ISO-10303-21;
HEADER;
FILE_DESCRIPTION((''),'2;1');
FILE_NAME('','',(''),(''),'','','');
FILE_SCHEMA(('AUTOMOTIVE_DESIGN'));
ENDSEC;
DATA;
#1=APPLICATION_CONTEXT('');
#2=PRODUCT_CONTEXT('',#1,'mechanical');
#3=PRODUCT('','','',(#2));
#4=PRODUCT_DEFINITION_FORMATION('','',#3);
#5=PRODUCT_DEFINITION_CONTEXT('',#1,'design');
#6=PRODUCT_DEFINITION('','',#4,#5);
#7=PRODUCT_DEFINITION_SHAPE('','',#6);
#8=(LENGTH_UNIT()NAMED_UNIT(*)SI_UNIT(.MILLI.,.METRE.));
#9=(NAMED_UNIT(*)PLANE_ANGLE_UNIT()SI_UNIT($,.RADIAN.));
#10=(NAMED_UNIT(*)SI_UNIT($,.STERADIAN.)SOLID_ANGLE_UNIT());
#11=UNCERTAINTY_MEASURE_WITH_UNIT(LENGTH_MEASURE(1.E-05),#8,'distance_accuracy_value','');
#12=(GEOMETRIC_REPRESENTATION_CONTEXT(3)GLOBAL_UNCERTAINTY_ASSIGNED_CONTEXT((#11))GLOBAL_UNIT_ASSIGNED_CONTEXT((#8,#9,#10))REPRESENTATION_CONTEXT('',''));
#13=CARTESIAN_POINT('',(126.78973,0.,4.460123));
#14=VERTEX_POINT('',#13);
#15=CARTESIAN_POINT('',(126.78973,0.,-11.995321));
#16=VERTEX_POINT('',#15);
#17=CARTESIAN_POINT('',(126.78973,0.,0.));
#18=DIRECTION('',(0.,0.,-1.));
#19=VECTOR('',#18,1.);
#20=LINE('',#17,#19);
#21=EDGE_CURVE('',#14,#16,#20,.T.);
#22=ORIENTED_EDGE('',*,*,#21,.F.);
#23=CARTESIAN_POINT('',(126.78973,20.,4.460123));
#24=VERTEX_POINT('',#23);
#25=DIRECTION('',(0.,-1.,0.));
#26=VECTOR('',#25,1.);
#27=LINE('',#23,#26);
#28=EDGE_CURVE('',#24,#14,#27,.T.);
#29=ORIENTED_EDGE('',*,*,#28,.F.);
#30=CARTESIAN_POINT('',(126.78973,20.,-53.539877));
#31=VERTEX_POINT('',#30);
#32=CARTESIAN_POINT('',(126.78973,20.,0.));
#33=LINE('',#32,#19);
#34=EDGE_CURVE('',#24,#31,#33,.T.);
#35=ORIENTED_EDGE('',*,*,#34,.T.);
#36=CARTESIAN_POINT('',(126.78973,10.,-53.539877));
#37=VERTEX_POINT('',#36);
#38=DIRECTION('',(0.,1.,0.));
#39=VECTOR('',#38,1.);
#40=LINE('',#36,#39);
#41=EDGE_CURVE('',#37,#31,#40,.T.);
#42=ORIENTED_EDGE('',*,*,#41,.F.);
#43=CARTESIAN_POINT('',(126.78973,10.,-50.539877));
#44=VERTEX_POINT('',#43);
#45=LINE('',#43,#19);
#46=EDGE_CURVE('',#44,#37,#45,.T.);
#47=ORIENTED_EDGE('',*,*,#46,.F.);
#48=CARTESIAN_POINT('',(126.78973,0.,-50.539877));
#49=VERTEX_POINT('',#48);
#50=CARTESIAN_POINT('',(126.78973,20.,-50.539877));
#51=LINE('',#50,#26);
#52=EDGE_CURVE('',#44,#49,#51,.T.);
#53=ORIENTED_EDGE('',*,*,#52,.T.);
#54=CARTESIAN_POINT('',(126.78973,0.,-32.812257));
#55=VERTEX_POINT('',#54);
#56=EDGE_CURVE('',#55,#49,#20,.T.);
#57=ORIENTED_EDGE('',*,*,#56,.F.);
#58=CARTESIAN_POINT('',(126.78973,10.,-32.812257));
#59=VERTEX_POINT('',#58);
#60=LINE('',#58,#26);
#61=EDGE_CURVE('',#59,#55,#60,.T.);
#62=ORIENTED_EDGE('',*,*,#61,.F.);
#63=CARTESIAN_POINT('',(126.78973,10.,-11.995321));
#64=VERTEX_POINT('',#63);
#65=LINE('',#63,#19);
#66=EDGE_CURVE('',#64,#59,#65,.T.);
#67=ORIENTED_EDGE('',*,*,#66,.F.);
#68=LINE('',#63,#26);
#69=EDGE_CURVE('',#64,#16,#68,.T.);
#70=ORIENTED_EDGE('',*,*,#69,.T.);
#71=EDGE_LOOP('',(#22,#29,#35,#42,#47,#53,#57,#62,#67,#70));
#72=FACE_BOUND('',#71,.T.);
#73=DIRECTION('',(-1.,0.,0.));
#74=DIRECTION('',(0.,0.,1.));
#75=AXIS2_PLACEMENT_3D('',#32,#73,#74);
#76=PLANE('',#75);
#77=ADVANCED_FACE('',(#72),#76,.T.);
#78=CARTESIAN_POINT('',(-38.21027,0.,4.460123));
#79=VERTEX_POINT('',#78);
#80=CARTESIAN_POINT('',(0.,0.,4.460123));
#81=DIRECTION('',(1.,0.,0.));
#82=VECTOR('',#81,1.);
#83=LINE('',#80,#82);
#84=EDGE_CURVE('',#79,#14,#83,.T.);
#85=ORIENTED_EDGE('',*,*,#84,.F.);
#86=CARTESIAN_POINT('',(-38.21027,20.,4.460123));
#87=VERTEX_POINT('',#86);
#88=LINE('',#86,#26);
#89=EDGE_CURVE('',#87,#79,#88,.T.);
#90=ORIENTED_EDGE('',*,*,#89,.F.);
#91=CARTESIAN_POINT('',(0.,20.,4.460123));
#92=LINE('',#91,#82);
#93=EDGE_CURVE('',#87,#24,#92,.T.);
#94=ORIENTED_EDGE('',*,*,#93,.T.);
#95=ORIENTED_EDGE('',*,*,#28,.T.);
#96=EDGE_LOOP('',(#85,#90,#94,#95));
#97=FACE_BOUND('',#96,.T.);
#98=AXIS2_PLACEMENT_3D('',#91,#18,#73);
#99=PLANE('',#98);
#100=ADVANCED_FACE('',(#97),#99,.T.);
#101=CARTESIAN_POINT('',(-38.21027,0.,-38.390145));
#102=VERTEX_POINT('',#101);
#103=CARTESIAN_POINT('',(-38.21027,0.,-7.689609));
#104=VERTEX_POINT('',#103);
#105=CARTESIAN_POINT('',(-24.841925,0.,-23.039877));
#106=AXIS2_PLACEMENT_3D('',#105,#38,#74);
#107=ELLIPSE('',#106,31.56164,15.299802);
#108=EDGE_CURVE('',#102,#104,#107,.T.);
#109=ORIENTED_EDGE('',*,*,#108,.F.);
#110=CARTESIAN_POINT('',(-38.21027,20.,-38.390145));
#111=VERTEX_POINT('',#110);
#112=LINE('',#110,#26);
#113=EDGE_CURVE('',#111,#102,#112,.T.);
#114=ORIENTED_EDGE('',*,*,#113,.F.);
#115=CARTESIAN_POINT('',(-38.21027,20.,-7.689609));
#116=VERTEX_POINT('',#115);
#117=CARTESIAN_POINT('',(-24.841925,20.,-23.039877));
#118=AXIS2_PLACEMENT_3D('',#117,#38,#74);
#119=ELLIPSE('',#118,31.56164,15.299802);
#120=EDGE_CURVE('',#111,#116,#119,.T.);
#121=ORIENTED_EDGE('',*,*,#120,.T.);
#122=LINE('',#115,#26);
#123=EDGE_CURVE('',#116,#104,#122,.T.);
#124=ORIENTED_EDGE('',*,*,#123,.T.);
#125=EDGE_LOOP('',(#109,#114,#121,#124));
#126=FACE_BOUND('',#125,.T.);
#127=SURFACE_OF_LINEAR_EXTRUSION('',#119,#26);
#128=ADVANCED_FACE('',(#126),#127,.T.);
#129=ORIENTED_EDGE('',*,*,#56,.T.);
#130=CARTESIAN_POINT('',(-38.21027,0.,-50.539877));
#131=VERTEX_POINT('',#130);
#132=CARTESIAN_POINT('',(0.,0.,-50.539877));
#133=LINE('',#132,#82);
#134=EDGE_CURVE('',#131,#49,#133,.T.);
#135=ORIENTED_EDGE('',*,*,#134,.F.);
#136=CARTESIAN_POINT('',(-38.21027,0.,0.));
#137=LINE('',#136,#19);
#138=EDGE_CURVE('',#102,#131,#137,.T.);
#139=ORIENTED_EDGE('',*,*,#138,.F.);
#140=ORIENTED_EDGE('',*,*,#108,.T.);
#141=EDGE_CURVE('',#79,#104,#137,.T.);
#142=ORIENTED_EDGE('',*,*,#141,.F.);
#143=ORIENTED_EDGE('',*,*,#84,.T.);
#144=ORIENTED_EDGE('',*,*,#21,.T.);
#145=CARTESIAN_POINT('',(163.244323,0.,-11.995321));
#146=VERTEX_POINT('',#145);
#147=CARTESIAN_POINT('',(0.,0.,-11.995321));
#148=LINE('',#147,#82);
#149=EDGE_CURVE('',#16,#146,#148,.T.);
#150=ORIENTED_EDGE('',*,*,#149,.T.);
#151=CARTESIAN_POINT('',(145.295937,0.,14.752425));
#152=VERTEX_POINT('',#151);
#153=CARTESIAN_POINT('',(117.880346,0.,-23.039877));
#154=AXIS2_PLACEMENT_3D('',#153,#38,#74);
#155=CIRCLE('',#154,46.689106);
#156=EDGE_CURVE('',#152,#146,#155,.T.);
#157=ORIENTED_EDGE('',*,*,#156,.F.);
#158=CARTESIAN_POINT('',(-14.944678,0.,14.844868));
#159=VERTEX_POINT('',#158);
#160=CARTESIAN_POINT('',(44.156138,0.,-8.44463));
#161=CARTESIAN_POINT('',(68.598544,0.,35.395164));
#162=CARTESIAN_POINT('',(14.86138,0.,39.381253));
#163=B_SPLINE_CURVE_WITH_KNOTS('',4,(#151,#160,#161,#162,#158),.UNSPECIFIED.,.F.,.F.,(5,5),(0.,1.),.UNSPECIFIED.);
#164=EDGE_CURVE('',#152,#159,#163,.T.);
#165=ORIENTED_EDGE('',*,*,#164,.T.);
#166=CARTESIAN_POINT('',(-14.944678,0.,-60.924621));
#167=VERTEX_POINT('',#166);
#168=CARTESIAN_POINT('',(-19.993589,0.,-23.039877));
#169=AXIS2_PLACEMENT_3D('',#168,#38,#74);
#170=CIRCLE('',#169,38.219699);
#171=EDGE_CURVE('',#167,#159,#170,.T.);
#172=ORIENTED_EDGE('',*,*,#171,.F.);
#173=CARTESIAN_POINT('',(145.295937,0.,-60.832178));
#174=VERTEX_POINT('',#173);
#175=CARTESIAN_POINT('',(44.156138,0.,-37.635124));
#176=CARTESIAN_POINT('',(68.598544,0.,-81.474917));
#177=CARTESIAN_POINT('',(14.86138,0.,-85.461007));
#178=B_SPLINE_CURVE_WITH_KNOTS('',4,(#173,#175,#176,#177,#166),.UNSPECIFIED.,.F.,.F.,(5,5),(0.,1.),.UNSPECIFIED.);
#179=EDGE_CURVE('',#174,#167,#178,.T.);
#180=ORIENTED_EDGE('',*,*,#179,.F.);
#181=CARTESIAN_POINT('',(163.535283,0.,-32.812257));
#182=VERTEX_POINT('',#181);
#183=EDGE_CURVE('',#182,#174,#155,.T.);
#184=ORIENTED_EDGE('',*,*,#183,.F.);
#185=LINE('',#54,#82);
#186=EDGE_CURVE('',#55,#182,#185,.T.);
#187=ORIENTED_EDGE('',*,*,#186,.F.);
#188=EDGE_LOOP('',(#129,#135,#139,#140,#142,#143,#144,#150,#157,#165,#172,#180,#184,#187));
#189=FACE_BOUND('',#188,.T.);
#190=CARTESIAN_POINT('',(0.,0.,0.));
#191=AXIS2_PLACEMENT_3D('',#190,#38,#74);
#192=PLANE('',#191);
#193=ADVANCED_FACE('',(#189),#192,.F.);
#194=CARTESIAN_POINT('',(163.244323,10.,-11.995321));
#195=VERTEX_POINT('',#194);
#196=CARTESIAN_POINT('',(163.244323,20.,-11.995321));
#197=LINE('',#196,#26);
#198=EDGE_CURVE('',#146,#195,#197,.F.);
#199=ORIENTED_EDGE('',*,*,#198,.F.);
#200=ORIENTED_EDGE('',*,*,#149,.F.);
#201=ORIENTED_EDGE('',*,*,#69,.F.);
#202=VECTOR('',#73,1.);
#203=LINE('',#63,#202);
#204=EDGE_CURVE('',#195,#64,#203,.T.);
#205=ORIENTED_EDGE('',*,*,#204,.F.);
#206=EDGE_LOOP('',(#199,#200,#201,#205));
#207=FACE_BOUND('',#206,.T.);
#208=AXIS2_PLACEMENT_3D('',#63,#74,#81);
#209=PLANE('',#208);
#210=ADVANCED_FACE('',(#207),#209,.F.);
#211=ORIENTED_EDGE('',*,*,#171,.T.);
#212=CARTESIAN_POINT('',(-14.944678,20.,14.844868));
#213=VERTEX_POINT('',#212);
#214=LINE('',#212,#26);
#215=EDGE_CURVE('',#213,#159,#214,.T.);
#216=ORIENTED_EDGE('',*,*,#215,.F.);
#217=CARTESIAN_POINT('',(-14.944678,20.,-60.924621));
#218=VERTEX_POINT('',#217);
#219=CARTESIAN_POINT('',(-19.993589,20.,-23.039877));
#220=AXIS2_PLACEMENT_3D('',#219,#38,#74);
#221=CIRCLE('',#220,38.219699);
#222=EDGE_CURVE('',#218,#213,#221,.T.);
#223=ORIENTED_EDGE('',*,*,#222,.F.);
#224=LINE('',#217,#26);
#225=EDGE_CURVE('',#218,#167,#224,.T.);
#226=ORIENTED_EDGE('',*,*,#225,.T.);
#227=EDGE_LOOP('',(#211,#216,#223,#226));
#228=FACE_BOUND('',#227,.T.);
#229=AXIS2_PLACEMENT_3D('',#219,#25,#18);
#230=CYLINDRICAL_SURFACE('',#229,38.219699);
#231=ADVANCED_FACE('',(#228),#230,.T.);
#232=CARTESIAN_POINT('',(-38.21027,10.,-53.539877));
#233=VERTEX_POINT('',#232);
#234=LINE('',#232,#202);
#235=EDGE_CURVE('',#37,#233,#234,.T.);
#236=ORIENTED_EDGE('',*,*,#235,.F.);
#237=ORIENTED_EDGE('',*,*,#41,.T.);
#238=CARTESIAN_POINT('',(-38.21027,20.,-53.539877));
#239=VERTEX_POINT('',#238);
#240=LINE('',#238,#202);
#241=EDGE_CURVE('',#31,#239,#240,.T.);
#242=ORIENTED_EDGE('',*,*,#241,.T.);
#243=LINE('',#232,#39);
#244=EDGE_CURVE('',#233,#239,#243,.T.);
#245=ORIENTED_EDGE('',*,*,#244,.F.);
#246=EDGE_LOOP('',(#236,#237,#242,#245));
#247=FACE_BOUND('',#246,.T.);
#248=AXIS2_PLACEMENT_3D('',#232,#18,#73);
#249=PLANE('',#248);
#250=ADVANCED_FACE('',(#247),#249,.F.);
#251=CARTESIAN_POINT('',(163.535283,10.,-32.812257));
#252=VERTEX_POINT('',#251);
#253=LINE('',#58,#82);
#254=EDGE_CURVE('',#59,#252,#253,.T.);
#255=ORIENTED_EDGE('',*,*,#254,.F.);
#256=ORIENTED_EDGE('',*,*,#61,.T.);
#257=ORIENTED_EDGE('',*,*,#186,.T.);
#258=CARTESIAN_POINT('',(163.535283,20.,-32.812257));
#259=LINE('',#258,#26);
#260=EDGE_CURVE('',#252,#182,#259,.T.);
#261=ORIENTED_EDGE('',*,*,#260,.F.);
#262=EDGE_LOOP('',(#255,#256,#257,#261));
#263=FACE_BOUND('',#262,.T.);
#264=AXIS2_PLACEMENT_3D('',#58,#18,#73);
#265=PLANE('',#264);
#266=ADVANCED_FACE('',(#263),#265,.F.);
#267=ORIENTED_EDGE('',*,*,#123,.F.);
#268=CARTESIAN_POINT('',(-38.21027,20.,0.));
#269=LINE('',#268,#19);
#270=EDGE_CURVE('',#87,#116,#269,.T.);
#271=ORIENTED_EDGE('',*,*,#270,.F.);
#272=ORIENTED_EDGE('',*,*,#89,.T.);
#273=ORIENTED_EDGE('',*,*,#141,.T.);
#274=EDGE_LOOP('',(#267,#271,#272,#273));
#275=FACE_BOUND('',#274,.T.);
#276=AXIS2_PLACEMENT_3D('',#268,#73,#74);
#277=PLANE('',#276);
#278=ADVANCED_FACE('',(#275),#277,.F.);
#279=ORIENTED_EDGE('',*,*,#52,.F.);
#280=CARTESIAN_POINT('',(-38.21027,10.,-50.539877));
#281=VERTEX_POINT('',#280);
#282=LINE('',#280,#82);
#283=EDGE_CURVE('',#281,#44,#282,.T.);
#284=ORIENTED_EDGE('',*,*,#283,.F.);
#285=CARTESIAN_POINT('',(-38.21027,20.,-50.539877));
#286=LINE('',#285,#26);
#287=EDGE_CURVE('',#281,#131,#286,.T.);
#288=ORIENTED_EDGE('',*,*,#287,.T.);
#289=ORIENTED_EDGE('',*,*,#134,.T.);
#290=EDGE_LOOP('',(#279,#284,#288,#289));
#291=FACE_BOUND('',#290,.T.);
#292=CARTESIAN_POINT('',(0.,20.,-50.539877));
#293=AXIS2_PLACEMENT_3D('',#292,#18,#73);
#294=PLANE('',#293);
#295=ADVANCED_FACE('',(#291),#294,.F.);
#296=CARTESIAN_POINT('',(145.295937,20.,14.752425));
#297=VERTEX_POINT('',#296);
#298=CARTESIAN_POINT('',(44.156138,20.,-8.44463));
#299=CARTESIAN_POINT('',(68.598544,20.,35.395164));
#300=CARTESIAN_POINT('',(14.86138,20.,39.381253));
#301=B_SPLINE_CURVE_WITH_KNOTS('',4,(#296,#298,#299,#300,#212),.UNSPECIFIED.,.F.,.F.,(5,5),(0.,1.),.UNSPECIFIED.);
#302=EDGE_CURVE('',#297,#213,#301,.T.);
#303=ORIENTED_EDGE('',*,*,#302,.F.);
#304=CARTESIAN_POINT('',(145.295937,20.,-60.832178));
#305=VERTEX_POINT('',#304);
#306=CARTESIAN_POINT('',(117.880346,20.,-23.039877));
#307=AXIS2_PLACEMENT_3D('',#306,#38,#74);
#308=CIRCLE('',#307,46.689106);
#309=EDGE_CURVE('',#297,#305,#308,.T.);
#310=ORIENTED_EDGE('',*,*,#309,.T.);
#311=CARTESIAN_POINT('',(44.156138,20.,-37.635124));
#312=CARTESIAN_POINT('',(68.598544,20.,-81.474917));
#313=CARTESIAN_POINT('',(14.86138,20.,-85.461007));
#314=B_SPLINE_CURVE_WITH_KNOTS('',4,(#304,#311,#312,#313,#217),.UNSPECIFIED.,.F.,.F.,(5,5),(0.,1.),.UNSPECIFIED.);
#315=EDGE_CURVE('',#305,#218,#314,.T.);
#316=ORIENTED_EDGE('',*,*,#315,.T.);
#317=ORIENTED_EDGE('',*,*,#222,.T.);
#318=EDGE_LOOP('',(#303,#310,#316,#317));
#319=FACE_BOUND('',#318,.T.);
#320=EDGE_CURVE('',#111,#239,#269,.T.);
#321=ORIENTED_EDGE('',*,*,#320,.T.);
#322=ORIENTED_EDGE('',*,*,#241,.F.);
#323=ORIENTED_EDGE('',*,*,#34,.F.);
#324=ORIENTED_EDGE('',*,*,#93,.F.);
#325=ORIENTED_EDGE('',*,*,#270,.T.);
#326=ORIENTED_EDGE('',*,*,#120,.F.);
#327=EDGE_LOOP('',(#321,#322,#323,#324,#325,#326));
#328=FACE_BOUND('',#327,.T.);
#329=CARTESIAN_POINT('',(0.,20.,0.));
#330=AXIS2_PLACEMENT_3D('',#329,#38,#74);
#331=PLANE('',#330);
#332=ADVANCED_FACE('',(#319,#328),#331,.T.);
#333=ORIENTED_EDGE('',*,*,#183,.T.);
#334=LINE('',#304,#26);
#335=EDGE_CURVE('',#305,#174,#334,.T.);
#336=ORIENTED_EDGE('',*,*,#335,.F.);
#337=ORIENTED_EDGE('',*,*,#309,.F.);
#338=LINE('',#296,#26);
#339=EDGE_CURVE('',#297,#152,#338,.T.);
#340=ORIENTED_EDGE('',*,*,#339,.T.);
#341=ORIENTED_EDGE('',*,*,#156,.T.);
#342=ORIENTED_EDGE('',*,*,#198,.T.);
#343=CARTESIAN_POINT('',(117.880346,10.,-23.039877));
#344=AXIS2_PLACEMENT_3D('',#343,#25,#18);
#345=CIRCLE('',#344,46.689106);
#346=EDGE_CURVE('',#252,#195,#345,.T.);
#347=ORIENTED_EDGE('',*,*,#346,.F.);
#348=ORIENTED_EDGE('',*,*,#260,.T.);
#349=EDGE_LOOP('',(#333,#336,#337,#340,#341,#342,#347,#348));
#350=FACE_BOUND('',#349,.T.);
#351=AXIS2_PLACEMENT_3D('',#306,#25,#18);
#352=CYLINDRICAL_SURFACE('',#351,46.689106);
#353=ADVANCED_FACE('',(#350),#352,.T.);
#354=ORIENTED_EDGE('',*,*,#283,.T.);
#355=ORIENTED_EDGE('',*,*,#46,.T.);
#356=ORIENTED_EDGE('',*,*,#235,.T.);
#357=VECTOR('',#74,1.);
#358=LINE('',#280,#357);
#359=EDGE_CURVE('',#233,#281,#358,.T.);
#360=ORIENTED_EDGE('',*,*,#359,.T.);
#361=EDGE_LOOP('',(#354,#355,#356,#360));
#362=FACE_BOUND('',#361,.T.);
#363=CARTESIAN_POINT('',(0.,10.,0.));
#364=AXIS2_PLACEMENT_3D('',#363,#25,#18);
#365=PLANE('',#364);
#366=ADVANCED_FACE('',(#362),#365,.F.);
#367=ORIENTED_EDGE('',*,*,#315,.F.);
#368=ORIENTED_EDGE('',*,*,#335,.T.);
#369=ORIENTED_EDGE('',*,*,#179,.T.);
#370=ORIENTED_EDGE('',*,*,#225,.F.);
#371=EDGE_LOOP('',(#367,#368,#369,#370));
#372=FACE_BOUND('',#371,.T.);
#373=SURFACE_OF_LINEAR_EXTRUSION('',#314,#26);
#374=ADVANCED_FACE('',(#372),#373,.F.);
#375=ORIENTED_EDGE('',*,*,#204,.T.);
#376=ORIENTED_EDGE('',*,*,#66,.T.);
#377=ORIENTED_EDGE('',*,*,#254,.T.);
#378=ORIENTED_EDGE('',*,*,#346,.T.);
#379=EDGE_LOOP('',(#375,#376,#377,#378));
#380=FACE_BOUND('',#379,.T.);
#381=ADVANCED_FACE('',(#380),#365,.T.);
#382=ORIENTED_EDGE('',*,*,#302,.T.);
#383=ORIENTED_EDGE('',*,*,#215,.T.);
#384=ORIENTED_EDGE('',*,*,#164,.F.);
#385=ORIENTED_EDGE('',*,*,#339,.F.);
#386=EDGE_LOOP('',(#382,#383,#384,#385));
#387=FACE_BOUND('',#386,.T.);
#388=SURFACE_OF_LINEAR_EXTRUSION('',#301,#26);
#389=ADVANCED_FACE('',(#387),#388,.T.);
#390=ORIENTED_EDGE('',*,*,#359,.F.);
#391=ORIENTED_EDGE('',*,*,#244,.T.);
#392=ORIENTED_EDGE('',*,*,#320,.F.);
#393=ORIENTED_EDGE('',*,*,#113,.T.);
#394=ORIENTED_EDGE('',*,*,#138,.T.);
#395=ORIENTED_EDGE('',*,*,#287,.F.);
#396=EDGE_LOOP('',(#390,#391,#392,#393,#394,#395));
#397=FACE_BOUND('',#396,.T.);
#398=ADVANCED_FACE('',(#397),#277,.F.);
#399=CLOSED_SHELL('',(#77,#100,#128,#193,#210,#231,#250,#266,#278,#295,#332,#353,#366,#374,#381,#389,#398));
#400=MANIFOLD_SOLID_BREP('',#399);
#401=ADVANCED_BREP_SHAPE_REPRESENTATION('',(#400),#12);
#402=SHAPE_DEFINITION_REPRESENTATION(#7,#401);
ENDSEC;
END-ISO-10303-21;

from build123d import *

# Parameters (mm, degrees)
BOSS_EXTRUDE1_DEPTH = 20
SKETCH4_W           = 165
SKETCH4_H           = 3
CUT_EXTRUDE1_DEPTH  = 10
SKETCH9_W           = 41.41609898
SKETCH9_H           = 20.816936128
CUT_EXTRUDE2_DEPTH  = 10


with BuildPart() as part:
    # Sketch1 → Boss-Extrude1 (new body)
    with BuildSketch(Plane(origin=(0, 0, 0), x_dir=(1, 0, 0), z_dir=(0, 1, 0))):
        with BuildLine():
            add(Edge.make_bspline(
                [(145.295936906, 60.832177948), (44.156138469, 37.635123873), (68.598543861, 81.474917307), (14.861380224, 85.461006577), (-14.944677718, 60.924621218)],
                knots=[0, 0, 0, 0, 0, 1, 1, 1, 1, 1], degree=4))
            ThreePointArc((-14.944677718, 60.924621218), (-58.213287959, 23.039876711), (-14.944677718, -14.844867796))
            add(Edge.make_bspline(
                [(145.295936906, -14.752424526), (44.156138469, 8.444629549), (68.598543861, -35.395163885), (14.861380224, -39.381253155), (-14.944677718, -14.844867796)],
                knots=[0, 0, 0, 0, 0, 1, 1, 1, 1, 1], degree=4))
            ThreePointArc((145.295936906, -14.752424526), (164.569452441, 23.039876711), (145.295936906, 60.832177948))
        make_face()
        with BuildLine():
            Line((-38.21027036, -4.460123289), (-38.21027036, 7.689608728))
            add(Edge.make_bspline(
                [(-38.21027036, 38.390144694), (-42.352238314, 23.039876711), (-38.21027036, 7.689608728)],
                knots=[4.204471846, 4.204471846, 4.204471846, 5.220306115, 5.220306115, 5.220306115], degree=2, weights=[1, 0.873759421, 1]))
            Line((-38.21027036, 38.390144694), (-38.21027036, 50.539876711))
            Line((-38.21027036, 50.539876711), (126.78972964, 50.539876711))
            Line((126.78972964, 50.539876711), (126.78972964, -4.460123289))
            Line((126.78972964, -4.460123289), (-38.21027036, -4.460123289))
        make_face(mode=Mode.SUBTRACT)
    extrude(amount=BOSS_EXTRUDE1_DEPTH)

    # Sketch4 → Cut-Extrude1 (cut)
    with BuildSketch(Plane(origin=(0, 20, 0), x_dir=(1, 0, 0), z_dir=(0, 1, 0))):
        with Locations((44.28972964, 52.039876711)):
            Rectangle(SKETCH4_W, SKETCH4_H)
    extrude(amount=-CUT_EXTRUDE1_DEPTH, mode=Mode.SUBTRACT)

    # Sketch9 → Cut-Extrude2 (cut)
    with BuildSketch(Plane.XZ):
        with Locations((147.49777913, -22.403788733)):
            Rectangle(SKETCH9_W, SKETCH9_H)
    extrude(amount=-CUT_EXTRUDE2_DEPTH, mode=Mode.SUBTRACT)


solid = part.part
